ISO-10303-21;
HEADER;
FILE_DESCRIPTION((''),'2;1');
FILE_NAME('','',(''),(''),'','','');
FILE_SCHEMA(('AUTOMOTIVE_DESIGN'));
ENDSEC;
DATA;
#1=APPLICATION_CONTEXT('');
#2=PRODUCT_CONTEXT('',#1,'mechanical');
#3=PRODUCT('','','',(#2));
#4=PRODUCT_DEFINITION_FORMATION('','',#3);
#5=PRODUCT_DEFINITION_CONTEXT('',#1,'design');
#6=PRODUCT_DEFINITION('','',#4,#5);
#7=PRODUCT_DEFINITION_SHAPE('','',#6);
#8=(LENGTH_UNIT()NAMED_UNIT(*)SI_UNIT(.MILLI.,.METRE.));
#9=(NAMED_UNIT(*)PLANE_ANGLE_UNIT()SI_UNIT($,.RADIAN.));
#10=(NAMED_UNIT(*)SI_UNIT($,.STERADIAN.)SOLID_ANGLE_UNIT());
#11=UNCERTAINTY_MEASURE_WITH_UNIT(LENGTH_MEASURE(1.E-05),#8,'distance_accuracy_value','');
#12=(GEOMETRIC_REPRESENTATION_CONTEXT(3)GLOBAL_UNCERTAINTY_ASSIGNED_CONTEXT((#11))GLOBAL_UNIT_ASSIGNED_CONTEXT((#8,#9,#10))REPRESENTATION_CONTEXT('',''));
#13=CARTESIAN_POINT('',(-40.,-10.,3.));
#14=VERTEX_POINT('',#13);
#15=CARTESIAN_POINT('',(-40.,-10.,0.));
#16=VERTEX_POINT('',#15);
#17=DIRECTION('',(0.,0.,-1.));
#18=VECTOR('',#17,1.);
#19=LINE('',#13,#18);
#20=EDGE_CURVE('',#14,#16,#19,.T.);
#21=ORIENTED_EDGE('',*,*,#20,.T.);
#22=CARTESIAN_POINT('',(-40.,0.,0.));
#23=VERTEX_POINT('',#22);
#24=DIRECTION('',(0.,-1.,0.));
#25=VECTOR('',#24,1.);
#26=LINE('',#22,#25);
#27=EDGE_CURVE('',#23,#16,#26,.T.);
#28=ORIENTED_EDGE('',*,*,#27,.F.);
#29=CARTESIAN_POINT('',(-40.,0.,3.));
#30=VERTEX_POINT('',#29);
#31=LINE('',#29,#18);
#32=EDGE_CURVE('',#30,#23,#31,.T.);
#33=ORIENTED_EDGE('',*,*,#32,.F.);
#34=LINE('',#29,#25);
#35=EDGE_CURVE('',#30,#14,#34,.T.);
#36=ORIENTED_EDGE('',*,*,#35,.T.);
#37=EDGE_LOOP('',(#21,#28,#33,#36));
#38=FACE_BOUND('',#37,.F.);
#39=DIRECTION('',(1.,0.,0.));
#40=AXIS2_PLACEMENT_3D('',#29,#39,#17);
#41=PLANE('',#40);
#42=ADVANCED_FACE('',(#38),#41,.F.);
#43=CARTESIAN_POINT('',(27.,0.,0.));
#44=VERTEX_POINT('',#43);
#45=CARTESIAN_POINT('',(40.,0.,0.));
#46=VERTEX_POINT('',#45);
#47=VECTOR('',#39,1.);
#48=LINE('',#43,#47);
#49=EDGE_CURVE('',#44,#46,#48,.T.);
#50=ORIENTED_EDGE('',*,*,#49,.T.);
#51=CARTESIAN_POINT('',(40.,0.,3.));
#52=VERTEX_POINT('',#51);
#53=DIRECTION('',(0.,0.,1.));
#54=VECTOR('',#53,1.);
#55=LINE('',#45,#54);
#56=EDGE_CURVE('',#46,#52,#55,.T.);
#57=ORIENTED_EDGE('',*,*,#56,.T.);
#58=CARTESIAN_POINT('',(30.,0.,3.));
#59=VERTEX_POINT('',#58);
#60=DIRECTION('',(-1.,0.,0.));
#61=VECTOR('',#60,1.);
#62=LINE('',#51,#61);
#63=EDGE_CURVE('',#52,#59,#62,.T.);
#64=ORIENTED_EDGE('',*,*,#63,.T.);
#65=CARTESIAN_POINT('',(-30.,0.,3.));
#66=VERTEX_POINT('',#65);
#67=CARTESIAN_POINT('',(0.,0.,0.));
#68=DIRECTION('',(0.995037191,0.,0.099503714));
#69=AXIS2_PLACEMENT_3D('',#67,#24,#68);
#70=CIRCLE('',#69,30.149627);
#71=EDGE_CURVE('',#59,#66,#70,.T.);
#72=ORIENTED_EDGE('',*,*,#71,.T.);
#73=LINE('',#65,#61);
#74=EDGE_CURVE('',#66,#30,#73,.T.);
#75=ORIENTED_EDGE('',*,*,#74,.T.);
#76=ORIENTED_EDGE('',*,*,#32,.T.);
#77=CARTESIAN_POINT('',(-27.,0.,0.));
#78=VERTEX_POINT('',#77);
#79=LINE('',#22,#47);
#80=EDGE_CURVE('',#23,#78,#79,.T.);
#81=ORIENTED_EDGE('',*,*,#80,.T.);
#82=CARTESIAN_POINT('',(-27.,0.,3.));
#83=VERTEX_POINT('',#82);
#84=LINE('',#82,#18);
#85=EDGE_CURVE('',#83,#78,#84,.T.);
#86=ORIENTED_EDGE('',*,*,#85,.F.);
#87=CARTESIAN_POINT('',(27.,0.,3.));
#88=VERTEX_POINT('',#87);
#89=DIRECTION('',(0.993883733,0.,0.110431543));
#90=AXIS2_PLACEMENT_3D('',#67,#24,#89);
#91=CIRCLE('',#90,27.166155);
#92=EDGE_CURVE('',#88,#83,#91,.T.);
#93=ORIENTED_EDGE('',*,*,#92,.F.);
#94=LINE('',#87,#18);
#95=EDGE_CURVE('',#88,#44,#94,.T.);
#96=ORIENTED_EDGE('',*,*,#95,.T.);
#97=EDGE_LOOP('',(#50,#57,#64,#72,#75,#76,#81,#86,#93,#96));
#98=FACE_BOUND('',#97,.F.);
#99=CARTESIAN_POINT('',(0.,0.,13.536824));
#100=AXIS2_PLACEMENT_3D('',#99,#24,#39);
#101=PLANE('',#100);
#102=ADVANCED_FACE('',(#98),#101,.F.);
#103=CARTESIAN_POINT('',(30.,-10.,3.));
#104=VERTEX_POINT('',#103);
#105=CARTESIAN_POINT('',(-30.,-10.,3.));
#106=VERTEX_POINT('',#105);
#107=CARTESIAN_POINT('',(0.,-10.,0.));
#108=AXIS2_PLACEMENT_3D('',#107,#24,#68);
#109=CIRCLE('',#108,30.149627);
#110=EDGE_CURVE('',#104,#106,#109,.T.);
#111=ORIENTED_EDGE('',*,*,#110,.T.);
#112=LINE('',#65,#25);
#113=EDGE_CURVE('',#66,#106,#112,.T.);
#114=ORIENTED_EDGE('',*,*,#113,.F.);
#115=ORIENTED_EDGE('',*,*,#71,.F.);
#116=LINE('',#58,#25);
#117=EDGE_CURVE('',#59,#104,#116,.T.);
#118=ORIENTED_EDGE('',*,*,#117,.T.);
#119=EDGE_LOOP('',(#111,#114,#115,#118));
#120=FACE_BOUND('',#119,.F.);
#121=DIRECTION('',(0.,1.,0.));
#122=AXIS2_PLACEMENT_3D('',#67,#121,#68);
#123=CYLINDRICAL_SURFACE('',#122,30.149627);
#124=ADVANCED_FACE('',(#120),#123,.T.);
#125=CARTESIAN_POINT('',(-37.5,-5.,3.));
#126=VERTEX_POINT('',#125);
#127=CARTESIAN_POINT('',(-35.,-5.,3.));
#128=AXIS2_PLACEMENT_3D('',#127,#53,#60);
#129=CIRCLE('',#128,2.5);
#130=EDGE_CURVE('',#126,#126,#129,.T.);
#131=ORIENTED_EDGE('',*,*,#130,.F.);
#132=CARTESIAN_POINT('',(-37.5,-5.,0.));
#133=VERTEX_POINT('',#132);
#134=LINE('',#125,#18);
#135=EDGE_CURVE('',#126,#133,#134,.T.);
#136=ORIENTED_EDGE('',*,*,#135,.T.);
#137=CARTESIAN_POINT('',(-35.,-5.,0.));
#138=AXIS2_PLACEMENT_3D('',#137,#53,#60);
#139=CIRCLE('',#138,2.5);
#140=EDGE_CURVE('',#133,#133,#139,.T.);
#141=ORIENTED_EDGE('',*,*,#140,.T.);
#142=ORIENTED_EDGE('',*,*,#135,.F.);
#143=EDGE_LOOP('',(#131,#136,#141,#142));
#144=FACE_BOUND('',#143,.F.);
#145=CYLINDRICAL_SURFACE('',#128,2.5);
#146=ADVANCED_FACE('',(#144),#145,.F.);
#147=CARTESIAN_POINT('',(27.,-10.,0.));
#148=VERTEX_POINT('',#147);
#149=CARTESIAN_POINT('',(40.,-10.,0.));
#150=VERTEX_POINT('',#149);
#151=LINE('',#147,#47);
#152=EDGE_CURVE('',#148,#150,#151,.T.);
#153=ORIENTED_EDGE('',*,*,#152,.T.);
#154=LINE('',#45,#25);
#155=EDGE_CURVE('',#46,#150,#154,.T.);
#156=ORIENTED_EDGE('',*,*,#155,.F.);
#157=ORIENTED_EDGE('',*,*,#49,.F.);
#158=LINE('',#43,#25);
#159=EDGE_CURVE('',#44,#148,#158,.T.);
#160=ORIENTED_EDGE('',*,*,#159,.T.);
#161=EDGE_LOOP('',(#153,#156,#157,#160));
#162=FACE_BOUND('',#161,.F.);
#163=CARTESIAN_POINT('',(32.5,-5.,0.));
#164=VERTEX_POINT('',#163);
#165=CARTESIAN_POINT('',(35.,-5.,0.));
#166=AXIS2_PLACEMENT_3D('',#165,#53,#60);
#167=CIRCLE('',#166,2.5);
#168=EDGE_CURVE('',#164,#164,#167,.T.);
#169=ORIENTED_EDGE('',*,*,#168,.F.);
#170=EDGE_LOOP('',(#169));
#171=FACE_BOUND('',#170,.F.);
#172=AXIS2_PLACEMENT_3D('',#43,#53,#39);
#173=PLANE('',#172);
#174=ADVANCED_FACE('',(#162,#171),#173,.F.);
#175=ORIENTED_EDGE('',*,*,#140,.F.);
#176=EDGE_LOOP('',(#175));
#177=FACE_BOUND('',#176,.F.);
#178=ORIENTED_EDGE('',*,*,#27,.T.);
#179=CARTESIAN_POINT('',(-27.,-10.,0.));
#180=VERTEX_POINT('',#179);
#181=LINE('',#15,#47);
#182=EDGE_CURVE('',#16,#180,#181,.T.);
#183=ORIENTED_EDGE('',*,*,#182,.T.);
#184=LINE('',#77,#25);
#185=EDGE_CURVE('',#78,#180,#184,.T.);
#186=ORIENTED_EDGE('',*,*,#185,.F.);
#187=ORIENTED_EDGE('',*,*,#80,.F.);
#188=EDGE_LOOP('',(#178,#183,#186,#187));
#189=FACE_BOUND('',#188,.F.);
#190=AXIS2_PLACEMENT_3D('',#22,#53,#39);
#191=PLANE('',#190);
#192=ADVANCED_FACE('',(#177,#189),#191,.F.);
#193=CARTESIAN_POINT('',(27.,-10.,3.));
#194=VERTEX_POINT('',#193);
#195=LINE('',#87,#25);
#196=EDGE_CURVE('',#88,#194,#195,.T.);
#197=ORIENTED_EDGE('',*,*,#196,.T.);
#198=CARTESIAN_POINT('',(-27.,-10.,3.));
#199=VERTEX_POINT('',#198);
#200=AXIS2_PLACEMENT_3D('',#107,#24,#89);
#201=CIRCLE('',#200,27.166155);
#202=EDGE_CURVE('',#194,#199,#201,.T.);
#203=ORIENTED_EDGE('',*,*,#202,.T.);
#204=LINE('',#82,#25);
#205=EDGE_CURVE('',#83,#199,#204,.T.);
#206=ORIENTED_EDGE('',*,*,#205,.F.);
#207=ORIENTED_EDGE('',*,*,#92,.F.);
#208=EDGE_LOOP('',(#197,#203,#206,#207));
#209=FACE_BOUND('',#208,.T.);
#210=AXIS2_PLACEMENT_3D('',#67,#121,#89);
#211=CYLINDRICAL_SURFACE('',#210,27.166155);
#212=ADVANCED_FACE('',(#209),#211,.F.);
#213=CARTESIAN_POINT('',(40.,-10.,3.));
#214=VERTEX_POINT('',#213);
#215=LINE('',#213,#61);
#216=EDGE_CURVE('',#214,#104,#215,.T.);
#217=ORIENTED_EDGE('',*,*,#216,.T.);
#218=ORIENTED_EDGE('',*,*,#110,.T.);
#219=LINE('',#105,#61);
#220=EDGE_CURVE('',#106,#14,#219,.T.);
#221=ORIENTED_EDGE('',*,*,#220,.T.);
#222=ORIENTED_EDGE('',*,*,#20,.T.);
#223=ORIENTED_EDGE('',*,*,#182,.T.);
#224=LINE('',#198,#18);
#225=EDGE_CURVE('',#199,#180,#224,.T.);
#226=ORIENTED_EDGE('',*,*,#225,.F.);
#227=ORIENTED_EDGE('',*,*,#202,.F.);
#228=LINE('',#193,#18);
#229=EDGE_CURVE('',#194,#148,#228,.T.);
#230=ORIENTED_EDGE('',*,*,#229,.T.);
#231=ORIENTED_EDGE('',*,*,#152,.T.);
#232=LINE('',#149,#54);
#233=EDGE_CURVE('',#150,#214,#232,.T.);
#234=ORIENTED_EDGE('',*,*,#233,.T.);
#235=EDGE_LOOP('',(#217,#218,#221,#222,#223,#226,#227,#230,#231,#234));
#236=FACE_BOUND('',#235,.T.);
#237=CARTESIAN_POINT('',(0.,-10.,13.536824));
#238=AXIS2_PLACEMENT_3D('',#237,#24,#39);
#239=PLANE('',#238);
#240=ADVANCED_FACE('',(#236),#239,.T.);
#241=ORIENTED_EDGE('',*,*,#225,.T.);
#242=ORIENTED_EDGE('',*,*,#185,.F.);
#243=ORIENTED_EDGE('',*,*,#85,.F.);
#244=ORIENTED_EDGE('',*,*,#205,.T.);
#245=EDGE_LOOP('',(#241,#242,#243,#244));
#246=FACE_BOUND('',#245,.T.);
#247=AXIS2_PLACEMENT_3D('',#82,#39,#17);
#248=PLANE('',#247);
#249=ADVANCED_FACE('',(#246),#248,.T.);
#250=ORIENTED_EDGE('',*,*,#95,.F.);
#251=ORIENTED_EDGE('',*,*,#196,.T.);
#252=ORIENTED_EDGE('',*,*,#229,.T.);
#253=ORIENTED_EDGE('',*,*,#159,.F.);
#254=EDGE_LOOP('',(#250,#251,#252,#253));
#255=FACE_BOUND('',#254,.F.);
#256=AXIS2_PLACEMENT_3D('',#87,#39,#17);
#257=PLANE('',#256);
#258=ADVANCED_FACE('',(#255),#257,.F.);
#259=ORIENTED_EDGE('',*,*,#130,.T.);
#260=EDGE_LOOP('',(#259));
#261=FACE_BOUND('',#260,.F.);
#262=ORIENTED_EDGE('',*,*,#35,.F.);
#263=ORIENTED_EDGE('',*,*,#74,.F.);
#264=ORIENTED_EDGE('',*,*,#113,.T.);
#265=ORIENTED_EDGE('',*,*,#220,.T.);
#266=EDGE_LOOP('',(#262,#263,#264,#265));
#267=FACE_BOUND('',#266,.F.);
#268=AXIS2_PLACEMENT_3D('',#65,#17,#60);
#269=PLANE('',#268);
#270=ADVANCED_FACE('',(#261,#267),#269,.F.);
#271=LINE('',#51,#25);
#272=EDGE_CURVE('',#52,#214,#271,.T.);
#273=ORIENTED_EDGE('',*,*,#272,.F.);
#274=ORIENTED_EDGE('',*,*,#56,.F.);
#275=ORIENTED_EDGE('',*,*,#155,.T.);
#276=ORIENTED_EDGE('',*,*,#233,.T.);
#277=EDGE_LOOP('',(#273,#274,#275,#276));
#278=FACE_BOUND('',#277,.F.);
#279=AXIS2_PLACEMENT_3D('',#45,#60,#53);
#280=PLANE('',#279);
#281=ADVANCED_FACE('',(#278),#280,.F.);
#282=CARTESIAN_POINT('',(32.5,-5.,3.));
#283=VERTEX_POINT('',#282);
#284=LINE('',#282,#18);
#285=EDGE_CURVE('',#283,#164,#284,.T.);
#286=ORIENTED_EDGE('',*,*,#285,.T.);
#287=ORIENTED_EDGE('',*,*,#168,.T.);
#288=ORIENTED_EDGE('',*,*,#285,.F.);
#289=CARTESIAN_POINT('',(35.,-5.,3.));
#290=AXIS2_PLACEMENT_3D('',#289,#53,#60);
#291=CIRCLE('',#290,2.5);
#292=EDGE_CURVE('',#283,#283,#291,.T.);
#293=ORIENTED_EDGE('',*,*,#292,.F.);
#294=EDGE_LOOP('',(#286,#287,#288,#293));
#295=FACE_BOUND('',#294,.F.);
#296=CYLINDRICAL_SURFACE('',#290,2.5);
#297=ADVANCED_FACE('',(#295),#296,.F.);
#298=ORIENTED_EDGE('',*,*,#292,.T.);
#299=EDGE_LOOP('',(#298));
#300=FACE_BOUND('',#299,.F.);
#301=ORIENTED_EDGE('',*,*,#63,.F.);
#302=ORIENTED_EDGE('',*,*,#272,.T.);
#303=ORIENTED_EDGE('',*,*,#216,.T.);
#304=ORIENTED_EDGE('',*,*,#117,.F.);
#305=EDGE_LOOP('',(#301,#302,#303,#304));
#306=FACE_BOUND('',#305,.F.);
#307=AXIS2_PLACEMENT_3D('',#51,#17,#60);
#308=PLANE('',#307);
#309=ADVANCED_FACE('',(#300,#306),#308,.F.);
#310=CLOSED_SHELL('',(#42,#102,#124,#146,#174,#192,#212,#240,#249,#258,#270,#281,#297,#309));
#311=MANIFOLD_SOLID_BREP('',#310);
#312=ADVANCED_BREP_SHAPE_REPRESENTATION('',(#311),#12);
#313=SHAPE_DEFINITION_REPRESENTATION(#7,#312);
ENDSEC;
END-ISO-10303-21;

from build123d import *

# Parameters (mm, degrees)
PAD_DEPTH    = 10
SKETCH001_R  = 2.5
POCKET_DEPTH = 3


with BuildPart() as part:
    # Sketch → Pad (new body)
    with BuildSketch(Plane.XZ):
        with BuildLine():
            ThreePointArc((30, 3), (0, 30.149627), (-30, 3))
            Line((-30, 3), (-40, 3))
            Line((-40, 3), (-40, 0))
            Line((-40, 0), (-27, 0))
            Line((-27, 3), (-27, 0))
            ThreePointArc((27, 3), (0, 27.166155), (-27, 3))
            Line((27, 3), (27, 0))
            Line((27, 0), (40, 0))
            Line((40, 0), (40, 3))
            Line((40, 3), (30, 3))
        make_face()
    extrude(amount=PAD_DEPTH)

    # Sketch001 (on Face6 of Pad) → Pocket (cut)
    with BuildSketch(Plane(origin=(0, 0, 3), x_dir=(-1, 0, 0), z_dir=(0, 0, 1))):
        with Locations((-35, 5)):
            Circle(SKETCH001_R)
        with Locations((35, 5)):
            Circle(SKETCH001_R)
    extrude(amount=-POCKET_DEPTH, mode=Mode.SUBTRACT)


solid = part.part
